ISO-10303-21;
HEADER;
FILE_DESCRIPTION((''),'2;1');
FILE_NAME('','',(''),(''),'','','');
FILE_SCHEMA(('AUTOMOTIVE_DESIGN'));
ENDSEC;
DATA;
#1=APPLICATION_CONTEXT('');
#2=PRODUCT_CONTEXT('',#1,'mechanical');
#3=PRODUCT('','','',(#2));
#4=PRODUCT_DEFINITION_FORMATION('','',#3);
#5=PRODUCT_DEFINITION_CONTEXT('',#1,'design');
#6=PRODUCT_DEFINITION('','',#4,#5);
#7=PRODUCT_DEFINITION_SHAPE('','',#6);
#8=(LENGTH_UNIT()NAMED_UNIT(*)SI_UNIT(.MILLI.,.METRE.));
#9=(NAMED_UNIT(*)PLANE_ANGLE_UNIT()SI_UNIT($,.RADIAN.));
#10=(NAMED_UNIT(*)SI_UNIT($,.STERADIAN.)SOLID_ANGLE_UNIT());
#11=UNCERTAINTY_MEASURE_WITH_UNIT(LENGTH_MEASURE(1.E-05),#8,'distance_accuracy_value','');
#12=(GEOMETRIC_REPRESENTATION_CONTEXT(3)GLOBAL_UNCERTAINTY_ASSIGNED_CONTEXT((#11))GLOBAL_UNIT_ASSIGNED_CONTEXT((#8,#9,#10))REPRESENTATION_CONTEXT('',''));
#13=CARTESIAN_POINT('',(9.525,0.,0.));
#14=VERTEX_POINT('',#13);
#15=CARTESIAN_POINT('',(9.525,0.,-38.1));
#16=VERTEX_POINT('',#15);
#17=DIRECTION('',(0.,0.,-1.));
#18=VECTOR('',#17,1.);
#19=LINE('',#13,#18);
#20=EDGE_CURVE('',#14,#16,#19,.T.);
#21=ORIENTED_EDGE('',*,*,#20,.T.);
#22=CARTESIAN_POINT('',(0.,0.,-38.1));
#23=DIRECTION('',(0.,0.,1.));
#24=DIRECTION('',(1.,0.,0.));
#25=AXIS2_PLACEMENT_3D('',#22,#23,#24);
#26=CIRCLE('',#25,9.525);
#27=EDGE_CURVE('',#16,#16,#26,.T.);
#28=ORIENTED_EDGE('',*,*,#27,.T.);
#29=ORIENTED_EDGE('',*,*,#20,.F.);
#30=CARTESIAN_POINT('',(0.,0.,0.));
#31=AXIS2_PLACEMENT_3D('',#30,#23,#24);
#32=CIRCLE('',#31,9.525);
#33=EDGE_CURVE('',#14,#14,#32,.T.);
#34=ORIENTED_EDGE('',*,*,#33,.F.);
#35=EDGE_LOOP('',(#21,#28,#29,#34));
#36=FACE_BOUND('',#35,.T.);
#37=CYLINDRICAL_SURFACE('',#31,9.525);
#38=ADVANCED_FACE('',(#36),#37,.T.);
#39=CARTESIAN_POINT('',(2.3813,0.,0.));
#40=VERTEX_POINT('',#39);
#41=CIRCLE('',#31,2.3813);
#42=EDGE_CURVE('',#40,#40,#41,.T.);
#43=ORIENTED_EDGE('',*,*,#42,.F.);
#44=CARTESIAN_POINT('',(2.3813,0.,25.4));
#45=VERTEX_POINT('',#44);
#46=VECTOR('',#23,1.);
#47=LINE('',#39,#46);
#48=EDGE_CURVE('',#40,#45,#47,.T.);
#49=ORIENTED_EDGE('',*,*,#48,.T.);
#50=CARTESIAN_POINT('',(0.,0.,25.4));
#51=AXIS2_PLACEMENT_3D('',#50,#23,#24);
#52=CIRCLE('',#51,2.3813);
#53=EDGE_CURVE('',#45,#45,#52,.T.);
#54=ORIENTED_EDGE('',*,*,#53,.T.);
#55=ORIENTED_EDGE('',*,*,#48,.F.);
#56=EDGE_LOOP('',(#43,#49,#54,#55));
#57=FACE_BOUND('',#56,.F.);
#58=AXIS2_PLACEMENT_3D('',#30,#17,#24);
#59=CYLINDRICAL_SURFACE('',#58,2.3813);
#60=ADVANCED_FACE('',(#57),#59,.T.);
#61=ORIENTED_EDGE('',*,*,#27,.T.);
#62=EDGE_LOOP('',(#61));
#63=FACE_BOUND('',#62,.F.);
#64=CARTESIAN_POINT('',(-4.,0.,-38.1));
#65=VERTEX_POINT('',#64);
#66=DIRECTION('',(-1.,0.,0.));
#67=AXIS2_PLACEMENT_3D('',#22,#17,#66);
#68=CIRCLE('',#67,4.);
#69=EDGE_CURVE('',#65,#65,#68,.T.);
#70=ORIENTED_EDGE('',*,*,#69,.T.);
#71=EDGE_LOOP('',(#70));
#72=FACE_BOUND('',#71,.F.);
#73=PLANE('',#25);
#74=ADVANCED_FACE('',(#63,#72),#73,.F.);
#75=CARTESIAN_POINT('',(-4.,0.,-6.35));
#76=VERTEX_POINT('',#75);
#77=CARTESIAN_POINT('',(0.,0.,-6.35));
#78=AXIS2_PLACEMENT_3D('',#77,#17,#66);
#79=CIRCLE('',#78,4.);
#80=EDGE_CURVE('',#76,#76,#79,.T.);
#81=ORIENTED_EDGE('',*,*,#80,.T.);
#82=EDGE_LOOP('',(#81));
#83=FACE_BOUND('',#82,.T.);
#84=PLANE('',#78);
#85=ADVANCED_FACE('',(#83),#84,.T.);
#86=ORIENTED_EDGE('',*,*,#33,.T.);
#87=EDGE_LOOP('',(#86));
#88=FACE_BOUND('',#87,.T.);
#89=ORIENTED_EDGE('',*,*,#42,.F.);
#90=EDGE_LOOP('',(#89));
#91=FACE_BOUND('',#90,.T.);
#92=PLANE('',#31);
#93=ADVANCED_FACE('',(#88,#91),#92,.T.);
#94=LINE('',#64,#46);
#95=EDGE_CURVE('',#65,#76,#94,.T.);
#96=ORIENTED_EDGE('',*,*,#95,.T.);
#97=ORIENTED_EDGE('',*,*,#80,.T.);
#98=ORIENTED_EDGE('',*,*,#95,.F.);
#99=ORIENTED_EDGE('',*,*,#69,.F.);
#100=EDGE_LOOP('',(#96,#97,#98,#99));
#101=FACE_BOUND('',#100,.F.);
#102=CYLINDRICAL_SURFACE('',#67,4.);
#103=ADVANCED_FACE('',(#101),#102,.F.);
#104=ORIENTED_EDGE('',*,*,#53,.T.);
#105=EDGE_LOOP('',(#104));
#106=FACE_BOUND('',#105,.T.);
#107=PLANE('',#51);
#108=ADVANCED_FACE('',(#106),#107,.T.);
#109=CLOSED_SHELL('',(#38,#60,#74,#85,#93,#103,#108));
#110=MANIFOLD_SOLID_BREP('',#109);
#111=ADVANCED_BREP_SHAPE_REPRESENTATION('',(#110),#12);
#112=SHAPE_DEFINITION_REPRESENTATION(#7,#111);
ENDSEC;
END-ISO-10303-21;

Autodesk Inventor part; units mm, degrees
ref_plane "YZ Plane" through (0, 0, 0) normal (1, 0, 0) x (0, 1, 0)
ref_plane "XZ Plane" through (0, 0, 0) normal (0, 1, 0) x (-1, 0, 0)
ref_plane "XY Plane" through (0, 0, 0) normal (0, 0, 1) x (1, 0, 0)
sketch "Sketch1" plane through (0, 0, 0) normal (0, 0, 1) x (1, 0, 0)
  circle A0 centre (0, 0) radius 9.525
  dimension "d8" = 19.05
extrude "Extrusion1" add sketch "Sketch1" against normal blind 38.1
sketch "Sketch2" plane through (0, 0, 0) normal (0, 0, 1) x (1, 0, 0)
  circle A0 centre (0, 0) radius 2.3813
  dimension "d2" = 4.7625
extrude "Extrusion2" add sketch "Sketch2" along normal blind 25.4
sketch "Sketch4" plane through (0, 0, -38.1) normal (0, 0, -1) x (-1, 0, 0)
  circle A0 centre (0, 0) radius 4
  dimension "d5" = 8
extrude "Extrusion3" cut sketch "Sketch4" against normal blind 31.75
properties part number "CIM to 0_1875 Worm Gearn"
